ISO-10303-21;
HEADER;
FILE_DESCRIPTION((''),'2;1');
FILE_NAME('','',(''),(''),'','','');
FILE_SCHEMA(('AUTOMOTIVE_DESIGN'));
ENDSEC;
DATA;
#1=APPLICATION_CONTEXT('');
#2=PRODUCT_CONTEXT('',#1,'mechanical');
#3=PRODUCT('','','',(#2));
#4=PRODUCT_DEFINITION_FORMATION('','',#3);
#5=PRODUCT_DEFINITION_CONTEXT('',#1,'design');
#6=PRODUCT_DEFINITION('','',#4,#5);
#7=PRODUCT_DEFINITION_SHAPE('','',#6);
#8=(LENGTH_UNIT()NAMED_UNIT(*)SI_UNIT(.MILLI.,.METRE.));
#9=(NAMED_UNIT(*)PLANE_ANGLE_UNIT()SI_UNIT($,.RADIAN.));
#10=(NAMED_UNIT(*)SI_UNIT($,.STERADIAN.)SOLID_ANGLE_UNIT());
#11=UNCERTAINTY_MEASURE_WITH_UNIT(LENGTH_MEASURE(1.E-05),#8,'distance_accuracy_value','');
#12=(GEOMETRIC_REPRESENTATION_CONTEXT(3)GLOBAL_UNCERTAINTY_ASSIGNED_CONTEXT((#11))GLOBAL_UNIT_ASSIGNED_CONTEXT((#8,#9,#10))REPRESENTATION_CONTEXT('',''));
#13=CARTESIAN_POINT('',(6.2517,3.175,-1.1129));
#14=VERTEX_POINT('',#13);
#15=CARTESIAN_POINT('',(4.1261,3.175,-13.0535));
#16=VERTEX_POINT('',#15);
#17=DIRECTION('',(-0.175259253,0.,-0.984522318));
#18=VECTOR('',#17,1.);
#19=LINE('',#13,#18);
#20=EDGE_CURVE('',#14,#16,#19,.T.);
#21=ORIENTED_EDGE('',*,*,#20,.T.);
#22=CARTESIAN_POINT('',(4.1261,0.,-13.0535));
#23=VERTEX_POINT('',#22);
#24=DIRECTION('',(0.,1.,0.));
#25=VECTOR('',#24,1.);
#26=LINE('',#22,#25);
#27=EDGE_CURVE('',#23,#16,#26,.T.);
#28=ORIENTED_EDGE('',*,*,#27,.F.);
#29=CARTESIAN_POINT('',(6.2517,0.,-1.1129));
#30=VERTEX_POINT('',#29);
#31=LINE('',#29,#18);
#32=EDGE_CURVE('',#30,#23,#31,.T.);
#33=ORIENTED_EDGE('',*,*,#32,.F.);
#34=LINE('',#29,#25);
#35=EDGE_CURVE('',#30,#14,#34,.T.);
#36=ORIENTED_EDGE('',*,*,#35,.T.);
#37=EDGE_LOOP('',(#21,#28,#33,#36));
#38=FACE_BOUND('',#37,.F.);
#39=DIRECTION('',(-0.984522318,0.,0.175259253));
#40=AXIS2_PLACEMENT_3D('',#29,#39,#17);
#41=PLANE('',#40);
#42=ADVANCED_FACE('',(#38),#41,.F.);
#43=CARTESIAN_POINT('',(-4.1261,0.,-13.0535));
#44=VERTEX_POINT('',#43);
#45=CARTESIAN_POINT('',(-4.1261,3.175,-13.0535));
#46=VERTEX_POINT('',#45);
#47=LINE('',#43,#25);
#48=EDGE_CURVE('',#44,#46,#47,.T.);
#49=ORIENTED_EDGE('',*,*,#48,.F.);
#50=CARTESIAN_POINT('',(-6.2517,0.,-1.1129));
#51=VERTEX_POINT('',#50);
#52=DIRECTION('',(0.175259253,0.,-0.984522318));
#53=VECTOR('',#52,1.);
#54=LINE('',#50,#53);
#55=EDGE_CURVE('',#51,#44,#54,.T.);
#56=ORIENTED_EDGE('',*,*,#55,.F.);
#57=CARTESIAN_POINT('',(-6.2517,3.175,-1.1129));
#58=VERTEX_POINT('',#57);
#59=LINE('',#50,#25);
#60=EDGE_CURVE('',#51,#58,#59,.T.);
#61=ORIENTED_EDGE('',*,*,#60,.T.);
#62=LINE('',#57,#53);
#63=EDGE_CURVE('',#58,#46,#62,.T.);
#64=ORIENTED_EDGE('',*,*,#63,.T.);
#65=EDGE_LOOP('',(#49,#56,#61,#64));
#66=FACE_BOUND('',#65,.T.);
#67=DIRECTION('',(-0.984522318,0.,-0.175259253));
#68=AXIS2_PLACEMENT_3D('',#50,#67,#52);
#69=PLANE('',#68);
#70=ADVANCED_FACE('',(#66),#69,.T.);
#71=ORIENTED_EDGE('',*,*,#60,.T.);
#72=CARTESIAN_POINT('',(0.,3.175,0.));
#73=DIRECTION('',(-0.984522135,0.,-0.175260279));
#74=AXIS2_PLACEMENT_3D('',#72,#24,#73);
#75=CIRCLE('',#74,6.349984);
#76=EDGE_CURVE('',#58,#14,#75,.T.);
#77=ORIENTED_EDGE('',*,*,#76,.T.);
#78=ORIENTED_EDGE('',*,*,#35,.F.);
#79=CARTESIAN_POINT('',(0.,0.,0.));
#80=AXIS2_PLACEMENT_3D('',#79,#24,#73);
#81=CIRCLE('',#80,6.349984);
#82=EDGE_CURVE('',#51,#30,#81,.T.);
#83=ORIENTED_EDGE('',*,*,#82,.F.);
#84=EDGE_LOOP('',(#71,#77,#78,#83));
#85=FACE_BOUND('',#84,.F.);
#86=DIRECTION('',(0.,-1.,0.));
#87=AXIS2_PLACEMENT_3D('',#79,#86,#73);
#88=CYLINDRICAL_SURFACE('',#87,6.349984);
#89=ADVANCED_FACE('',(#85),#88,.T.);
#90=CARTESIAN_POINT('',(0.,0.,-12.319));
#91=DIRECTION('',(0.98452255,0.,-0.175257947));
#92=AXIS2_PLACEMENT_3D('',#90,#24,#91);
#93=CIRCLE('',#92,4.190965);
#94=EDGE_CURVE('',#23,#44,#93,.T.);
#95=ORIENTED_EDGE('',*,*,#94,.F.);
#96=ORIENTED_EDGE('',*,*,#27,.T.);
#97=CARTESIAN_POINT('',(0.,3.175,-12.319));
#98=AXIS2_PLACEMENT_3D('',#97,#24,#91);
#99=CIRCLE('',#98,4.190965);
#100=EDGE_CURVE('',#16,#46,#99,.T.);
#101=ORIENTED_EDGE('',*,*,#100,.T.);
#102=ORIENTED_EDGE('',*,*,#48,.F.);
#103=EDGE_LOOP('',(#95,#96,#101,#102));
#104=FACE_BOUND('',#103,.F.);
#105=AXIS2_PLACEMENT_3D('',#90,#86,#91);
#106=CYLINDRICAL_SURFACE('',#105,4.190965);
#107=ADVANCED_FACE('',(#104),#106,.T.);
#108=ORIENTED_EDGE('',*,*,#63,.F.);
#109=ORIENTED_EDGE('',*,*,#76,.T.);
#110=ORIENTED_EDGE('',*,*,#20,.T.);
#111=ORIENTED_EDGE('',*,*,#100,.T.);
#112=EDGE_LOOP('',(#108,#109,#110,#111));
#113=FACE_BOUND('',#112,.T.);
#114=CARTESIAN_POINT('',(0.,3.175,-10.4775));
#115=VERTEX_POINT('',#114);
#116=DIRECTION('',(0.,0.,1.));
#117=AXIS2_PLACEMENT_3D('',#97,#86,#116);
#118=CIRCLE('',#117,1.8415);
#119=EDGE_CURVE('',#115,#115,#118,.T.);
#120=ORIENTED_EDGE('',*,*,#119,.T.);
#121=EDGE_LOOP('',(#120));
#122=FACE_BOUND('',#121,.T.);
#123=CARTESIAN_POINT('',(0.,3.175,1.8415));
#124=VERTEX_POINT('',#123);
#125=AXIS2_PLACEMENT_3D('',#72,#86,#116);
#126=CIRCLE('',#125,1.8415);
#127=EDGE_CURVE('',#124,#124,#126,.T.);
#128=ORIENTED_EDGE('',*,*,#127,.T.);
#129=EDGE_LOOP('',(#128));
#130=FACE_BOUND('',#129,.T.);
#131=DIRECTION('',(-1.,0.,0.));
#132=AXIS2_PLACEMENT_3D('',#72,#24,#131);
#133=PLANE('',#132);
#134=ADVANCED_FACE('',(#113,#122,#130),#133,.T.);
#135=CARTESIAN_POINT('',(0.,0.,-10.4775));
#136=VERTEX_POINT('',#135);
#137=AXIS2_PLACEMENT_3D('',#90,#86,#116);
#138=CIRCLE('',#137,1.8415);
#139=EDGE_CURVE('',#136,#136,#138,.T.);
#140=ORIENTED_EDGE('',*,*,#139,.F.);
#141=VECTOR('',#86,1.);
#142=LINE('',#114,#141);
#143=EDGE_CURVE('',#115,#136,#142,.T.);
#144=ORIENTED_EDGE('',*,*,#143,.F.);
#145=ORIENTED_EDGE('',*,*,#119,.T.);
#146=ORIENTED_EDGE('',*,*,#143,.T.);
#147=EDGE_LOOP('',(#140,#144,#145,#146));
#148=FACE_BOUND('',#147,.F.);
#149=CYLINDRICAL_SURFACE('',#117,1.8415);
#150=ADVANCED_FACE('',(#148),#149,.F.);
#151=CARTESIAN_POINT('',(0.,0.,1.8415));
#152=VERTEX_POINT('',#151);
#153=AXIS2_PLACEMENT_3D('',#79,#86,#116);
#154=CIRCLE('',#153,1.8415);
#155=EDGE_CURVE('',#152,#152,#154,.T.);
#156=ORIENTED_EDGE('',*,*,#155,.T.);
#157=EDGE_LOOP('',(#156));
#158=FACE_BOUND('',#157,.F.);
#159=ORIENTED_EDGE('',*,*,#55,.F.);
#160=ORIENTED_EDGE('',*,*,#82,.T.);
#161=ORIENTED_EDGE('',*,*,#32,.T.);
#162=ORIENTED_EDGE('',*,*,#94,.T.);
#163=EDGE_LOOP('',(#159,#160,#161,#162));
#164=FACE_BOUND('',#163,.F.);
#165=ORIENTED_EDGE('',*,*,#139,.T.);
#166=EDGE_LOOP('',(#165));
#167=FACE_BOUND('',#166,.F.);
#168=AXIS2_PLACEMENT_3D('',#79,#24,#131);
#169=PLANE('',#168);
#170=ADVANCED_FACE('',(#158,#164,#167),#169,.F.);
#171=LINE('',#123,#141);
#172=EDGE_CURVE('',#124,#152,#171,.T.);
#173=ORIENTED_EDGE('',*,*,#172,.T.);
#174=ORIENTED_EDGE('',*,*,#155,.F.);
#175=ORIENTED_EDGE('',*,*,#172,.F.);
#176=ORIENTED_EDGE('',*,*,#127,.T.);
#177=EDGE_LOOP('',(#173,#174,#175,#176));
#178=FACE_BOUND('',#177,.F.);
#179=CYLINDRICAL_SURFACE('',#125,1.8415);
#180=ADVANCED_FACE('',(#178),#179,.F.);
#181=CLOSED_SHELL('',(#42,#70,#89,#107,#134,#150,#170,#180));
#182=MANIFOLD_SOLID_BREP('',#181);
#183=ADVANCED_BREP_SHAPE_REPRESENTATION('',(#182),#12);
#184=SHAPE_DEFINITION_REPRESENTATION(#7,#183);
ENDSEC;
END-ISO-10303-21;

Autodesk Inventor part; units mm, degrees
ref_plane "YZ Plane" through (0, 0, 0) normal (1, 0, 0) x (0, 1, 0)
ref_plane "XZ Plane" through (0, 0, 0) normal (0, 1, 0) x (-1, 0, 0)
ref_plane "XY Plane" through (0, 0, 0) normal (0, 0, 1) x (1, 0, 0)
sketch "Sketch1" plane through (0, 0, 0) normal (0, 1, 0) x (-1, 0, 0)
  arc A0 (6.2517, -1.1129) -> (-6.2517, -1.1129) centre (0, 0) ccw
  arc A1 (-4.1261, -13.0535) -> (4.1261, -13.0535) centre (0, -12.319) ccw
  line L0 (6.2517, -1.1129) -> (4.1261, -13.0535)
  line L1 (-6.2517, -1.1129) -> (-4.1261, -13.0535)
  dimension "d0" = 22.86
  dimension "d1" = 12.7
  dimension "d2" = 8.382
extrude "Extrusion1" add sketch "Sketch1" along normal blind 3.175
sketch "Sketch2" plane through (0, 3.175, 0) normal (0, 1, 0) x (1, 0, 0)
  arc A0 (-6.2517, 1.1129) -> (6.2517, 1.1129) centre (0, 0) ccw projected
  arc A1 (4.1261, 13.0535) -> (-4.1261, 13.0535) centre (0, 12.319) ccw projected
hole "Hole1" at (0, 3.175, 0) at (0, 3.175, -12.319) direction (0, -1, 0) diameter 3.683 end through all
properties part number "GripperServoHorn"
